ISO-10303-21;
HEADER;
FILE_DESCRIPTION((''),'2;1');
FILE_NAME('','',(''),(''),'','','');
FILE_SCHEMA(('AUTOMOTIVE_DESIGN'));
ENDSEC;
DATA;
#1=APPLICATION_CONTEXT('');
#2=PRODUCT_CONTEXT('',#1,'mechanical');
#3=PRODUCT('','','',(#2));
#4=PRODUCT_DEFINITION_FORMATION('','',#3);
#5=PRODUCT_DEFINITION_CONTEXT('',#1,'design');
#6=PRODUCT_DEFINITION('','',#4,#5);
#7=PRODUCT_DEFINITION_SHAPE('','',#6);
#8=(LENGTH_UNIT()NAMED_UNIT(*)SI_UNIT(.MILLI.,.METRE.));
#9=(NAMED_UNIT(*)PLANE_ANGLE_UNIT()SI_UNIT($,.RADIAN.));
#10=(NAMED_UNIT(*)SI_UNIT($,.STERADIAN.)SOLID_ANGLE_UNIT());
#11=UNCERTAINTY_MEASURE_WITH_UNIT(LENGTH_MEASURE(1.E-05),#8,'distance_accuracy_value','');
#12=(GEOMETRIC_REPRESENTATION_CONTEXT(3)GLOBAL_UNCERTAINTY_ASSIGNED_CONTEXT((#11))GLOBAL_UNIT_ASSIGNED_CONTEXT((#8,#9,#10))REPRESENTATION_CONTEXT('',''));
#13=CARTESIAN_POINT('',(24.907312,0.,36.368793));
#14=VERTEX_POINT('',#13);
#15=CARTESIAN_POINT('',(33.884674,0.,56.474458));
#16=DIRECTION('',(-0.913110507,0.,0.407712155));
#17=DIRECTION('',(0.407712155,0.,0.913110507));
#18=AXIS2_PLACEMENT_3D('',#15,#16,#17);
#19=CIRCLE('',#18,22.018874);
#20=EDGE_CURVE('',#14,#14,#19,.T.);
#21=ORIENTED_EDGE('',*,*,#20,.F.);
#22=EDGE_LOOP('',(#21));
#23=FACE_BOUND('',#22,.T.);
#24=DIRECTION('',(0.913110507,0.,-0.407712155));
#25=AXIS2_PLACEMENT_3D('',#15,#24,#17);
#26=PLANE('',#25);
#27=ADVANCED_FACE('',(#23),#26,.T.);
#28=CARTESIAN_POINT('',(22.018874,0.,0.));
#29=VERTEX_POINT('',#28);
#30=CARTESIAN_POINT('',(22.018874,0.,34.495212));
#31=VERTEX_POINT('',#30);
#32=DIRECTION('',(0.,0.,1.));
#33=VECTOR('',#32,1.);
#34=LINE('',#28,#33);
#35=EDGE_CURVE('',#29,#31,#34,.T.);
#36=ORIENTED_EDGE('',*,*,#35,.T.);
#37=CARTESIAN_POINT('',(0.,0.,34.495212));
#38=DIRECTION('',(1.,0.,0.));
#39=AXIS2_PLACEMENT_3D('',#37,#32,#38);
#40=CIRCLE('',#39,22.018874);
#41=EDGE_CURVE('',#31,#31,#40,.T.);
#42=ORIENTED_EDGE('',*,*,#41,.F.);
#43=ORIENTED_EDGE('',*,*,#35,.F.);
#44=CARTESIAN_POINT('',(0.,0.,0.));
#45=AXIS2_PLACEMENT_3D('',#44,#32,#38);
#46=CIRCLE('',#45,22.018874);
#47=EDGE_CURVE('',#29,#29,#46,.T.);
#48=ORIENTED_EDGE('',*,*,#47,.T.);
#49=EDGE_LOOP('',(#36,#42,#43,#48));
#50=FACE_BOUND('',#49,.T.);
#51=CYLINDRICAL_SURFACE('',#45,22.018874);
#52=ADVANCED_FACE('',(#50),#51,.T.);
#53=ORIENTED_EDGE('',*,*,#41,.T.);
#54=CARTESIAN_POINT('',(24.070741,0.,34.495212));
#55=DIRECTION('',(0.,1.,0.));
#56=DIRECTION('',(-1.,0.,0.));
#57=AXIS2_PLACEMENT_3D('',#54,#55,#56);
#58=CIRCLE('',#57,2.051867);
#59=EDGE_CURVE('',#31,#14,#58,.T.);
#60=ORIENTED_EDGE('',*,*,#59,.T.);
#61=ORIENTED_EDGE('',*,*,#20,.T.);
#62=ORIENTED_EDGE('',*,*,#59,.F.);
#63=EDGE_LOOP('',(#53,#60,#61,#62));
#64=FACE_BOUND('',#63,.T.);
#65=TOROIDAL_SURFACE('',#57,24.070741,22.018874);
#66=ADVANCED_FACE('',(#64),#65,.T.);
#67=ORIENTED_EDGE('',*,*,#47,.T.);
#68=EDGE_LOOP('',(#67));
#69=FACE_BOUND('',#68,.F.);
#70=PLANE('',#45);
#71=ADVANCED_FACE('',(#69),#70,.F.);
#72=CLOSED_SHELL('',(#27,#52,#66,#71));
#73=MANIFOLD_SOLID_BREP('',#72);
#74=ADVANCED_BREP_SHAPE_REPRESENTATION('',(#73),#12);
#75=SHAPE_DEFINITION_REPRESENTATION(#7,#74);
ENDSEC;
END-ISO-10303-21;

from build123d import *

# Parameters (mm, degrees)
F1_R = 22.0188738011


with BuildPart() as f2:
    # F2: sweep along a path in F0
    with BuildLine(Plane.XZ) as f2_path:
        Line((0, 0), (0, 34.4952121377))
        ThreePointArc((0, 34.4952121377), (10.9716585371, 54.6896322863), (33.8846743107, 56.4744584262))
    # F1 (on Top) → F2 (sweep)
    with BuildSketch(Plane.XY):
        Circle(F1_R)
    sweep(path=f2_path.line)


solid = f2.part
